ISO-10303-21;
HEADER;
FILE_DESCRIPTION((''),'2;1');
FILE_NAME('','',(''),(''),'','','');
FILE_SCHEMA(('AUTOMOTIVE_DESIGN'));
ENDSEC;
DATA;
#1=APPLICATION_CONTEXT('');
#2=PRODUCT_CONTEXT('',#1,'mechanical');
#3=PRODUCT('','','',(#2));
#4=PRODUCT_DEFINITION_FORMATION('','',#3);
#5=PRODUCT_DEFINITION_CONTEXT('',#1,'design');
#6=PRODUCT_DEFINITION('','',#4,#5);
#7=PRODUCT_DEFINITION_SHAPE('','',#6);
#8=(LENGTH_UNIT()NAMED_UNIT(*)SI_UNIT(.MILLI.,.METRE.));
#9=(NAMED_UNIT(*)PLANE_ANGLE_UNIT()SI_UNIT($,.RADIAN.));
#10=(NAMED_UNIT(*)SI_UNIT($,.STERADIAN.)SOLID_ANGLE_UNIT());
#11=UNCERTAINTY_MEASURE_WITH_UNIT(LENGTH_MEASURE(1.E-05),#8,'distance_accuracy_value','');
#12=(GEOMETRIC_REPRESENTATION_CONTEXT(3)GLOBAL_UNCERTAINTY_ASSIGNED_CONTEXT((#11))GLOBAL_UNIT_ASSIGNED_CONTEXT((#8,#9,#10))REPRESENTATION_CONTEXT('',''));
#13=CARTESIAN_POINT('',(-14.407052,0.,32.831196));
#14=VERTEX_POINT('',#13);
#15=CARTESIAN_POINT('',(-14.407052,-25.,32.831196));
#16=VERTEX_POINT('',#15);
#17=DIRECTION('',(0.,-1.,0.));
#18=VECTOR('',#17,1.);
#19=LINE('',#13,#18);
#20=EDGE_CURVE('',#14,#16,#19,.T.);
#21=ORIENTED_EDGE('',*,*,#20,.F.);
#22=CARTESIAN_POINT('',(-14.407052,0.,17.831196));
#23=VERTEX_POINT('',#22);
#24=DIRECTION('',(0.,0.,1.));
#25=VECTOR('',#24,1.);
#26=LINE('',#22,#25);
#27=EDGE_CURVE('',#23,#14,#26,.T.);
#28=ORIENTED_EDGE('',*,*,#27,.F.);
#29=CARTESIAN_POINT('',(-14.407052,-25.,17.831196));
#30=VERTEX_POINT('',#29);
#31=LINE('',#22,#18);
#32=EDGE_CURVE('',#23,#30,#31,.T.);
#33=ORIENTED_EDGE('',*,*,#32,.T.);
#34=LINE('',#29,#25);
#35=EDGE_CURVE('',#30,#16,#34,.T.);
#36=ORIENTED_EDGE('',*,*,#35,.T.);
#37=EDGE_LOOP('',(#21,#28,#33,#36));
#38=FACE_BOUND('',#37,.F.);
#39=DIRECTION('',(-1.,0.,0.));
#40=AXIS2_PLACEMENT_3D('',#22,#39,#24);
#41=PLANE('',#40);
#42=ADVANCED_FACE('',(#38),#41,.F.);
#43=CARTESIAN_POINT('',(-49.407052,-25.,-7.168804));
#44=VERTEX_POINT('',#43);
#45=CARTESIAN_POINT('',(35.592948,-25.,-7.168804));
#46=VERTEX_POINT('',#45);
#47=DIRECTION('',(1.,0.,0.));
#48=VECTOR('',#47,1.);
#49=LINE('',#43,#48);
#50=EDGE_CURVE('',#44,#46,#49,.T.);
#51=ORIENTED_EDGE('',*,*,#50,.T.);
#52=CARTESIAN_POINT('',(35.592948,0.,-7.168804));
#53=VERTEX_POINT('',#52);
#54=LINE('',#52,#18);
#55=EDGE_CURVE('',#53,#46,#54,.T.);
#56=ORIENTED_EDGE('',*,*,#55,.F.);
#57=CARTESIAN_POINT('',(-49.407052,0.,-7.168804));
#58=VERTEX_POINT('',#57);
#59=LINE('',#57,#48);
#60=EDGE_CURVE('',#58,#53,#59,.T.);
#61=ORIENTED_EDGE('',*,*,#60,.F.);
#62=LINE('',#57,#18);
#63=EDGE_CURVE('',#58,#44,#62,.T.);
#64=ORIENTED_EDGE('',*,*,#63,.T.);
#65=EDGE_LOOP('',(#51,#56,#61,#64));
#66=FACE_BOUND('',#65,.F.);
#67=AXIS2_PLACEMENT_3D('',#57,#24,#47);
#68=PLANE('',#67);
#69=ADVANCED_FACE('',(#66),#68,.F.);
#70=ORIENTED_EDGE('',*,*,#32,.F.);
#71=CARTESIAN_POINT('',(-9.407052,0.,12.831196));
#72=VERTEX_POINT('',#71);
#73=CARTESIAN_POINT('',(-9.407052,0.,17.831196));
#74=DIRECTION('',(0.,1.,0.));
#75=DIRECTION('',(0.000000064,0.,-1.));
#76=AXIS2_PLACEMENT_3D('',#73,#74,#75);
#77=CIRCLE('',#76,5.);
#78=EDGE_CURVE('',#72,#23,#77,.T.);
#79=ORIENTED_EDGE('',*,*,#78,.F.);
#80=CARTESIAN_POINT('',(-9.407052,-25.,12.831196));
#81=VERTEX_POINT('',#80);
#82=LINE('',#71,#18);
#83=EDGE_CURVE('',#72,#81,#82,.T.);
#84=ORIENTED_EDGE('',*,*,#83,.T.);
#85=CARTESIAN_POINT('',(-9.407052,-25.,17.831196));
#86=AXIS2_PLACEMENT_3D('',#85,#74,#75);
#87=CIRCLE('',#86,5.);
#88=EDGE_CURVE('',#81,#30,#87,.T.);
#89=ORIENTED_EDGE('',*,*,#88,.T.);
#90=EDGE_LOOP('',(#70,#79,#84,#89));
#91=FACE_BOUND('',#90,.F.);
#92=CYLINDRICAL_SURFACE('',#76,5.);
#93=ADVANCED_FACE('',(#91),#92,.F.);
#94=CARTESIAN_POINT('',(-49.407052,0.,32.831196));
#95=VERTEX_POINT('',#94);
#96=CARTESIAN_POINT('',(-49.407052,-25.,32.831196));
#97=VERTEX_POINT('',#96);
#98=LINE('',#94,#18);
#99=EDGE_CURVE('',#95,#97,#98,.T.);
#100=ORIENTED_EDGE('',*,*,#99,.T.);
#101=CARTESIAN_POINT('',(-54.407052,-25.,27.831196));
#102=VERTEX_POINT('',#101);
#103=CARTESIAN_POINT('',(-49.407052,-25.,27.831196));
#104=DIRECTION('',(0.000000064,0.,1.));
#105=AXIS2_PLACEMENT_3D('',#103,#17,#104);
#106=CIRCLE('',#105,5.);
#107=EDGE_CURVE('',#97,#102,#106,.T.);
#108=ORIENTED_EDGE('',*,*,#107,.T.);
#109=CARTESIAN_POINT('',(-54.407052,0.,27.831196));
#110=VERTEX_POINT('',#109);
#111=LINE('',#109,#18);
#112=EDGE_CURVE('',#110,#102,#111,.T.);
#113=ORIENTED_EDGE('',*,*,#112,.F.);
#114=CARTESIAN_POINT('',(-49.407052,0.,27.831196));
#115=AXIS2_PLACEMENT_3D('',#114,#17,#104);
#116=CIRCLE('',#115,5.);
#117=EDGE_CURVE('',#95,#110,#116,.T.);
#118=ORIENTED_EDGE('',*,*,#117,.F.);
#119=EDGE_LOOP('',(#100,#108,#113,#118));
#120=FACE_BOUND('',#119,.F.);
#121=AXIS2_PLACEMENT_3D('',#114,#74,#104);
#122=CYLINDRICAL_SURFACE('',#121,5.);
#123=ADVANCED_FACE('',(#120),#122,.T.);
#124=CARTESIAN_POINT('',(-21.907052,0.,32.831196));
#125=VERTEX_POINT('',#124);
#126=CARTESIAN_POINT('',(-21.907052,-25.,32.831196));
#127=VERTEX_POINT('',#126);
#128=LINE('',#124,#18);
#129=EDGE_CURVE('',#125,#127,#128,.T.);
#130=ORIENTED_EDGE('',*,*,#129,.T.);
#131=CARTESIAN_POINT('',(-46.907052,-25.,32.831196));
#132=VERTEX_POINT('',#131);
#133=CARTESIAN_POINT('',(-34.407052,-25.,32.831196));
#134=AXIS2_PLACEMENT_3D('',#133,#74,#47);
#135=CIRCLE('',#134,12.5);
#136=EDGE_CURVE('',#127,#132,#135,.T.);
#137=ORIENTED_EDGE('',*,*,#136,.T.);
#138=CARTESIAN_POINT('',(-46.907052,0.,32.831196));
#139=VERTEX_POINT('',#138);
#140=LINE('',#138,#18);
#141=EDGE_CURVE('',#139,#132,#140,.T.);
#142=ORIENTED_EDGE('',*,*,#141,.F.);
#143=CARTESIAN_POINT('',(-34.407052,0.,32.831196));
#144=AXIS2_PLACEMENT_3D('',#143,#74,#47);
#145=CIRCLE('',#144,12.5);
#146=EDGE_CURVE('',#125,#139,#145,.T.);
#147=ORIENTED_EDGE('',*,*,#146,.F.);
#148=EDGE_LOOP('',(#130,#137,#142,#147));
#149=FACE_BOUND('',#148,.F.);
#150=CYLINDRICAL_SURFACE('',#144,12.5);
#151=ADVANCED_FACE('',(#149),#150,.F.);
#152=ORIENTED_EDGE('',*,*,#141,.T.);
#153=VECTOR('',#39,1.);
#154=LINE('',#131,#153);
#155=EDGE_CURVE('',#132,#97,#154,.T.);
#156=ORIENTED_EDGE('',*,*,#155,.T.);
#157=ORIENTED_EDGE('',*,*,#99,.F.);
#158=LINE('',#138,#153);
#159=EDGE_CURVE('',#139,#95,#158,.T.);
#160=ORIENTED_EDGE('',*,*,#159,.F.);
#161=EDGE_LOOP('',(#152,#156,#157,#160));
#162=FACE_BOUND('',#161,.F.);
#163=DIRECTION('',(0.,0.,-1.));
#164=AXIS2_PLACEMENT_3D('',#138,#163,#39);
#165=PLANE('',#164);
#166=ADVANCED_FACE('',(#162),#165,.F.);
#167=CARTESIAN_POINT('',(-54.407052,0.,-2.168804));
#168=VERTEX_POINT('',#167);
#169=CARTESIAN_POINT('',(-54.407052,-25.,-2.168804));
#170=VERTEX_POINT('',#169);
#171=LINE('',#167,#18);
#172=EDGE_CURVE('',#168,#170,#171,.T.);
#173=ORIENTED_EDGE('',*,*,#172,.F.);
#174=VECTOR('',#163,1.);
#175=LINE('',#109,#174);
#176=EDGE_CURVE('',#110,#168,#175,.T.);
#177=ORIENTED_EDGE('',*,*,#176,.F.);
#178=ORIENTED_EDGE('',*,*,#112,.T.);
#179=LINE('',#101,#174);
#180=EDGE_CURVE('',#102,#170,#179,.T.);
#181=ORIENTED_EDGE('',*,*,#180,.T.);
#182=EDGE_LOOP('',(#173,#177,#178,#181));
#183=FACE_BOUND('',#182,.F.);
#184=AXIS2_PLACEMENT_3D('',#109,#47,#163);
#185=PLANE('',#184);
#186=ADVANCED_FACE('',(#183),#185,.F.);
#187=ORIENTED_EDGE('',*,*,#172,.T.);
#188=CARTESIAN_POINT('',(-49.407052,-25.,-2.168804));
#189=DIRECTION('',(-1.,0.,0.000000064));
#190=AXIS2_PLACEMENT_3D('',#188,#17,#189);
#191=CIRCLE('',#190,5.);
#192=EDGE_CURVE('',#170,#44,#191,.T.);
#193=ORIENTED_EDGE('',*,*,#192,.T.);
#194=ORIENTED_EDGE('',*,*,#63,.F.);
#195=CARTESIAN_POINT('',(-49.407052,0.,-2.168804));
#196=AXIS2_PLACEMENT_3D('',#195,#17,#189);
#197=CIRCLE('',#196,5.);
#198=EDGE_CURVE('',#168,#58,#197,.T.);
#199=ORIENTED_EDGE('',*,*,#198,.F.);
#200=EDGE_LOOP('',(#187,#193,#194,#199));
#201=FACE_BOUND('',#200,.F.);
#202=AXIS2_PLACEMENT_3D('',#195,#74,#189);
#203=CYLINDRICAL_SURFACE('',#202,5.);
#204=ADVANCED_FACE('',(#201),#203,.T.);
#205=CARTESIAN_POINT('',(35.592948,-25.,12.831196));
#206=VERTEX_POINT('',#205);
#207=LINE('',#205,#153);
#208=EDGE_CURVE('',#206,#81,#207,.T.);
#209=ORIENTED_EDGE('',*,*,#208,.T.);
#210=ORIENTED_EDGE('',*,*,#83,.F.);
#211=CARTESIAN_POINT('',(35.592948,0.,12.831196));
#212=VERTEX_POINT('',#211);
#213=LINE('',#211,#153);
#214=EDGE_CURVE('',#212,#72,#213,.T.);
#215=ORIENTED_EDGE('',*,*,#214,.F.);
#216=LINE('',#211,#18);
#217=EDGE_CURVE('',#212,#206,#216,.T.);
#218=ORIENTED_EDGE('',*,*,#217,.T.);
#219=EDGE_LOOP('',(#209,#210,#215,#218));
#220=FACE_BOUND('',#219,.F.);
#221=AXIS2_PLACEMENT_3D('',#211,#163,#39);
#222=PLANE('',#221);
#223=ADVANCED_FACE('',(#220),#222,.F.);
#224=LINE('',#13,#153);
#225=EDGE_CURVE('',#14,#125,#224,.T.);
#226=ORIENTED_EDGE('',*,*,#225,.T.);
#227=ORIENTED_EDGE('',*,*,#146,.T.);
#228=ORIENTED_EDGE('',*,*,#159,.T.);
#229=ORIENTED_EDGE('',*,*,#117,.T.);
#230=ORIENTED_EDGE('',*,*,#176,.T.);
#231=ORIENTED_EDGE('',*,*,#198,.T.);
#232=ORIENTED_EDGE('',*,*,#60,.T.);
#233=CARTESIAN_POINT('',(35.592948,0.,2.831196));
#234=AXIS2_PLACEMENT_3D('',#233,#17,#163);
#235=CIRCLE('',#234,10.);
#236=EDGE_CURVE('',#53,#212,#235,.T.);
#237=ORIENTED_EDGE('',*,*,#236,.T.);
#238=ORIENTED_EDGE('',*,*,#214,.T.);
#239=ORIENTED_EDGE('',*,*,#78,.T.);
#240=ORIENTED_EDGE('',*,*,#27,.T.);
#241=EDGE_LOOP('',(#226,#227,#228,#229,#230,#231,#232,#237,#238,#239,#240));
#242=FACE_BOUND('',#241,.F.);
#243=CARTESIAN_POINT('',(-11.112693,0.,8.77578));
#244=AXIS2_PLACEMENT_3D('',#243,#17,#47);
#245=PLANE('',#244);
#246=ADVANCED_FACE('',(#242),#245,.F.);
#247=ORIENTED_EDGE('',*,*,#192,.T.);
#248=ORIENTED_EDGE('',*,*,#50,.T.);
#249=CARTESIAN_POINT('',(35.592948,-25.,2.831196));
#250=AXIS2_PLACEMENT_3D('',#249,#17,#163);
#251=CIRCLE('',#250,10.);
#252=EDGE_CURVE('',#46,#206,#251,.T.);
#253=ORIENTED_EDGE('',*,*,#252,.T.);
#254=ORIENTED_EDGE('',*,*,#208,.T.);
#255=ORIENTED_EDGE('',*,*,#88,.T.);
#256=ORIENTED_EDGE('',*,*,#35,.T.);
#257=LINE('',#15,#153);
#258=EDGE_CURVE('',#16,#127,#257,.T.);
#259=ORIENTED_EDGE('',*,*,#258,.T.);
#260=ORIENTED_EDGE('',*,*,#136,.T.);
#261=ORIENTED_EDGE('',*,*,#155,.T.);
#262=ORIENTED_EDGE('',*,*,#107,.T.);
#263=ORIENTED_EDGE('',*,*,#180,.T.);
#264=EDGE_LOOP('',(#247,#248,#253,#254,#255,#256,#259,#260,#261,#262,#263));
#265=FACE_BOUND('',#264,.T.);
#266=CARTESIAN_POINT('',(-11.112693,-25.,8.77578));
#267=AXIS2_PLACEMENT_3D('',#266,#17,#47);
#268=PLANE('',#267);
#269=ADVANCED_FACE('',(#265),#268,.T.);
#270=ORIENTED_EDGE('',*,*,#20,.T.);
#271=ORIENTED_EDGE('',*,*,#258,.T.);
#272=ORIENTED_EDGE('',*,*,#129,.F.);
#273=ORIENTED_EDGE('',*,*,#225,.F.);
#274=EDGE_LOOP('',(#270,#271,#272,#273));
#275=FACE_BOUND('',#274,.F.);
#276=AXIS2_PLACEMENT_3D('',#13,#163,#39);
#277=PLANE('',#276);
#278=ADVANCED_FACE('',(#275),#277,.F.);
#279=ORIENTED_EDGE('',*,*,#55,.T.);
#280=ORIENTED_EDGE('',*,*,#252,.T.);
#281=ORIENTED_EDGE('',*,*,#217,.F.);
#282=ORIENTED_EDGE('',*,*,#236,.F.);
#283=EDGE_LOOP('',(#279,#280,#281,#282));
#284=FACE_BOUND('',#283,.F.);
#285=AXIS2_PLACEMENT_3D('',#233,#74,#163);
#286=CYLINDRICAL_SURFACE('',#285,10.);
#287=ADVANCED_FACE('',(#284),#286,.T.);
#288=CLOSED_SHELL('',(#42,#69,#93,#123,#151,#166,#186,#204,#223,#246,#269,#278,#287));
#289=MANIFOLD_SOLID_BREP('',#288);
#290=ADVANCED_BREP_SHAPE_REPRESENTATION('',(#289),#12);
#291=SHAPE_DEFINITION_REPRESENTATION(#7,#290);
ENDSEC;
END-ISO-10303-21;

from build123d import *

# Parameters (mm, degrees)
F1_DEPTH = 25


with BuildPart() as f1:
    # F0 (on Front) → F1 (new body)
    with BuildSketch(Plane.XZ):
        with BuildLine():
            Line((-46.907052, 32.831196), (-49.407052, 32.831196))
            ThreePointArc((-49.407052, 32.831196), (-52.942586, 31.36673), (-54.407052, 27.831196))
            Line((-54.407052, 27.831196), (-54.407052, -2.168804))
            ThreePointArc((-54.407052, -2.168804), (-52.942586, -5.704338), (-49.407052, -7.168804))
            Line((-49.407052, -7.168804), (35.592948, -7.168804))
            ThreePointArc((35.592948, -7.168804), (45.592948, 2.831196), (35.592948, 12.831196))
            Line((35.592948, 12.831196), (-9.407052, 12.831196))
            ThreePointArc((-9.407052, 12.831196), (-12.942586, 14.295662), (-14.407052, 17.831196))
            Line((-14.407052, 17.831196), (-14.407052, 32.831196))
            Line((-14.407052, 32.831196), (-21.907052, 32.831196))
            ThreePointArc((-21.907052, 32.831196), (-34.407052, 20.331196), (-46.907052, 32.831196))
        make_face()
    extrude(amount=F1_DEPTH)


solid = f1.part
